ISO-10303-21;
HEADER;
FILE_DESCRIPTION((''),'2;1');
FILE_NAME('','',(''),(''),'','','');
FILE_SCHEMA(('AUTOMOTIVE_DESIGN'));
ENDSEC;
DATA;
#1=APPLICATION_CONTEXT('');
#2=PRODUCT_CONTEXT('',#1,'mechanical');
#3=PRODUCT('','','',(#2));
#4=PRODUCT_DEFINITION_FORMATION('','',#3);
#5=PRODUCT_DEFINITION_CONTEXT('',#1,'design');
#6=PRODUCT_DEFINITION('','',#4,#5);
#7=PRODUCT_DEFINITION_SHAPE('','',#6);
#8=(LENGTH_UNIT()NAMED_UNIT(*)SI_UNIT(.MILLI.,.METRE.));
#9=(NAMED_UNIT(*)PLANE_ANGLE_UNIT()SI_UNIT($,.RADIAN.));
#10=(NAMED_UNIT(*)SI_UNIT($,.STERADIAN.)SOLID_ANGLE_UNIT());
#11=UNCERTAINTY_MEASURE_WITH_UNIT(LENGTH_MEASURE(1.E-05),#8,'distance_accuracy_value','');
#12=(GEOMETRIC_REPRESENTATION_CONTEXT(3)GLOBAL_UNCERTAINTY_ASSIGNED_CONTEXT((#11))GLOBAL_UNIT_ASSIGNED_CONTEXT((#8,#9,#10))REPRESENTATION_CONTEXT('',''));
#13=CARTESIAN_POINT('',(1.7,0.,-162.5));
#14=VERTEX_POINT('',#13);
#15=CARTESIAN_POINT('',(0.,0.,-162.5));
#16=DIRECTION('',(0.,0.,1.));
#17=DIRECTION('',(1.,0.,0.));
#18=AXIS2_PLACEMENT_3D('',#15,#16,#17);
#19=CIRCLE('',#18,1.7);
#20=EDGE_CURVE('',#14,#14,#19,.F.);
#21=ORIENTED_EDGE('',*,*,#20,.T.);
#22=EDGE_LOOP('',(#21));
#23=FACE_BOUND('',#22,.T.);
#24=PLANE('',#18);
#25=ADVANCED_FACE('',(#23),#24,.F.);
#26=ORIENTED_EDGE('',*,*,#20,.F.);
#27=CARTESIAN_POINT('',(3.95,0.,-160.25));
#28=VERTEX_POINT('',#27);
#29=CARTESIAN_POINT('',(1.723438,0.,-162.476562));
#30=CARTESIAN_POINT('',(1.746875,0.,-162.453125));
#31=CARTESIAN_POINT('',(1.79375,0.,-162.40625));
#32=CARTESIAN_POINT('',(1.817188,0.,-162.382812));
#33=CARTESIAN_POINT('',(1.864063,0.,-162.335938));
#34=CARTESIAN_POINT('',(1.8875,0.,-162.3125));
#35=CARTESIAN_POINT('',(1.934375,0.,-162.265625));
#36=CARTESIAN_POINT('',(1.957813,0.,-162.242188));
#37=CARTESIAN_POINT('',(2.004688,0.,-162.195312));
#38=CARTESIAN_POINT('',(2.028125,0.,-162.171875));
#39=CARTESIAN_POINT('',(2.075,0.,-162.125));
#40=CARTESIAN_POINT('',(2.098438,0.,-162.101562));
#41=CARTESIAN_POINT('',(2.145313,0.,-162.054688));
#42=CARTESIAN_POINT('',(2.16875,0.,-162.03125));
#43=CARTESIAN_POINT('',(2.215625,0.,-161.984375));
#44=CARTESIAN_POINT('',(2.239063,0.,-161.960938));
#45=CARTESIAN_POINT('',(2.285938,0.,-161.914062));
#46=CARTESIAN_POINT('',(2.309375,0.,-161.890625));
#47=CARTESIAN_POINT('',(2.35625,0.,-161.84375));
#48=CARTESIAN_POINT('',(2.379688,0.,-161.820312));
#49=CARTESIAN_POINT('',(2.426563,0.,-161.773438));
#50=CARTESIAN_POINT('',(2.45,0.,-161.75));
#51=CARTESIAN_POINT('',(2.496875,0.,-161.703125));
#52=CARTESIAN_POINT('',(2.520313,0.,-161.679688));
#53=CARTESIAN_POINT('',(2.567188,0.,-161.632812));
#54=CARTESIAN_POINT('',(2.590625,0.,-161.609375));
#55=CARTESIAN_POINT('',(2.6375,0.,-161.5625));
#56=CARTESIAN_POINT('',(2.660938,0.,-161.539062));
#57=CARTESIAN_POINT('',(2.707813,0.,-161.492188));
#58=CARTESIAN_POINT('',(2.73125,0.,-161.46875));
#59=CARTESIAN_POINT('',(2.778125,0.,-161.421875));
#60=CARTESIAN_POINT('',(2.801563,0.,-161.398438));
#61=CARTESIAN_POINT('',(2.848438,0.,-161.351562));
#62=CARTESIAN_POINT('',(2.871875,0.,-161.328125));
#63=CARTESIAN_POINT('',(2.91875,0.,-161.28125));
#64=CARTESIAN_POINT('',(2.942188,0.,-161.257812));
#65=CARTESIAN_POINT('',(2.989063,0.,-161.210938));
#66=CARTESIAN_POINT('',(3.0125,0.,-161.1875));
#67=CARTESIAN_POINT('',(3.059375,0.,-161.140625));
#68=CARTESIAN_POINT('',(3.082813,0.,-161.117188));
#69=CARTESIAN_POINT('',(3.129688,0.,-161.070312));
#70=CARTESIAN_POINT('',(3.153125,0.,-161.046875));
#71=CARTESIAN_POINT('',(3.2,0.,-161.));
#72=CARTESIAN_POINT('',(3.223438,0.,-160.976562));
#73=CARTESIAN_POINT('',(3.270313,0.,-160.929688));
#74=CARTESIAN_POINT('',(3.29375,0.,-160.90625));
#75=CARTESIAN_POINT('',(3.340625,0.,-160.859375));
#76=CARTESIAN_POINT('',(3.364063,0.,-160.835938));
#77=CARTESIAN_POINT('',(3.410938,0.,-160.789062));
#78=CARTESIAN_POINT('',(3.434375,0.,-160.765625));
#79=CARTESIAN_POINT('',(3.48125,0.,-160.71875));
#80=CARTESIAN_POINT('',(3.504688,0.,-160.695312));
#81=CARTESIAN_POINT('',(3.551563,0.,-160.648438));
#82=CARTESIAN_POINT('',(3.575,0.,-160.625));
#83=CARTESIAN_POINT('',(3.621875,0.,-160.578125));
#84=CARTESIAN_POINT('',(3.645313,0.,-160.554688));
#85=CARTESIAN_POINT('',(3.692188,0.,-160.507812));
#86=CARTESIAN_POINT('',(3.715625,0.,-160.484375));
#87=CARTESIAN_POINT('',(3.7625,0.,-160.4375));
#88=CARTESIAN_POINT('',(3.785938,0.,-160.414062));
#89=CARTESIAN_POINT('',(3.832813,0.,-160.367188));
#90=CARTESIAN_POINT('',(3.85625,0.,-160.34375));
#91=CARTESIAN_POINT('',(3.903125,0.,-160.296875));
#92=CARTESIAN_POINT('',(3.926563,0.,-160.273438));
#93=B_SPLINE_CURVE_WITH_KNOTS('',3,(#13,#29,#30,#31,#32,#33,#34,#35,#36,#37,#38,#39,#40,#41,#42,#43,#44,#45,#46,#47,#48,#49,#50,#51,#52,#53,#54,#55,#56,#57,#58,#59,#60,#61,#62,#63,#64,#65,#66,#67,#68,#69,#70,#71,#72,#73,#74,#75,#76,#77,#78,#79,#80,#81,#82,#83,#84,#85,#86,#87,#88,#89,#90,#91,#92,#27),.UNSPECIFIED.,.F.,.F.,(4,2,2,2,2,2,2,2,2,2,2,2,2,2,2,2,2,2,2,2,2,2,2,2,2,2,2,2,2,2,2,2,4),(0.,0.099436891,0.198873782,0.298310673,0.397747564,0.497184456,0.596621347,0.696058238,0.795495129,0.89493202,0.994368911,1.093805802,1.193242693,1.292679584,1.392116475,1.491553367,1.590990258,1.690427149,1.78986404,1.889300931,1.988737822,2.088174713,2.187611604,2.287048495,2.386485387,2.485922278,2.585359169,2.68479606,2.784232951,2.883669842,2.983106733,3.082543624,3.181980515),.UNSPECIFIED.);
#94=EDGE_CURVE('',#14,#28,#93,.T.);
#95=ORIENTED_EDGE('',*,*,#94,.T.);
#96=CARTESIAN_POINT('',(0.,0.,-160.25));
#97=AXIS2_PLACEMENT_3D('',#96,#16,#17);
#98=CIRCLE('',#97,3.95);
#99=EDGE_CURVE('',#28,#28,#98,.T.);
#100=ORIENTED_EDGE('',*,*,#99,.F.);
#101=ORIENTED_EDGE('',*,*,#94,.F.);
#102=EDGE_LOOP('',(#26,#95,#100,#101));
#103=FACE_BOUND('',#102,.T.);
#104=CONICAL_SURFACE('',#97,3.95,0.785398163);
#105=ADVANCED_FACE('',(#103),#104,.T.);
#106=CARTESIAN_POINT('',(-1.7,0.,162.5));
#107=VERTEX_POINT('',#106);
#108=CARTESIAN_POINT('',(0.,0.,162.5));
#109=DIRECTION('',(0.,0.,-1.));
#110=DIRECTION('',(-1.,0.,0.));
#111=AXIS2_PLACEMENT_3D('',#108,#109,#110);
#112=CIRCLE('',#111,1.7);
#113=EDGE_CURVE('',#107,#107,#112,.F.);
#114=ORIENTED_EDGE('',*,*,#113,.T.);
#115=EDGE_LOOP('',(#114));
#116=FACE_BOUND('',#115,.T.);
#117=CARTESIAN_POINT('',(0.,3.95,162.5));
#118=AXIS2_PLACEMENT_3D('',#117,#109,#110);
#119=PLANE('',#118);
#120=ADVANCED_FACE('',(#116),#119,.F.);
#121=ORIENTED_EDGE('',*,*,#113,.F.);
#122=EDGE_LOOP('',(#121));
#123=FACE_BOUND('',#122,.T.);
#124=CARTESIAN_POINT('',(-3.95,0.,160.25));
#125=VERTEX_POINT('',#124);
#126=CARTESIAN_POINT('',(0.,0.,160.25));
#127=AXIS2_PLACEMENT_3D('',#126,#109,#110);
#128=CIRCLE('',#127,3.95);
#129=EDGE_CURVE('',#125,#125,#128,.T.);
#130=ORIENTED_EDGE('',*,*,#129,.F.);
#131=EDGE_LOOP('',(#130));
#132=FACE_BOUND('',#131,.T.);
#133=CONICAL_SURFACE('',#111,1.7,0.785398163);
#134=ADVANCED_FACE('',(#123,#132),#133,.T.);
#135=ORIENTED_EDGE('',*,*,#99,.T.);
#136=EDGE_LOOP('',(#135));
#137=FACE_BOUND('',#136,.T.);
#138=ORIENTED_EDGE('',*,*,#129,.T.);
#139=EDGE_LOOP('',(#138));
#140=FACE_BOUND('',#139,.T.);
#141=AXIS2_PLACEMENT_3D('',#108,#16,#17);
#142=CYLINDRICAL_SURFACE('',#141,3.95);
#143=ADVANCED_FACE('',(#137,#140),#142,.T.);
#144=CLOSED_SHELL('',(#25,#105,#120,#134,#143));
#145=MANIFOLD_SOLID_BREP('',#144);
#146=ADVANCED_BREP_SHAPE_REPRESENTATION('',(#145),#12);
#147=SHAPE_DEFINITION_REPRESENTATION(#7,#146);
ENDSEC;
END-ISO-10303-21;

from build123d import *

# Parameters (mm, degrees)
SKETCH2_W     = 325
SKETCH2_H     = 3.95
CHAMFER1_SIZE = 2.25


with BuildPart() as part:
    # Sketch2 → Revolve1 (revolve)
    with BuildSketch(Plane(origin=(0, 0, 0), x_dir=(0, 0, -1), z_dir=(1, 0, 0)), mode=Mode.PRIVATE) as revolve1_sk:
        with Locations((0, 1.975)):
            Rectangle(SKETCH2_W, SKETCH2_H)
    revolve(revolve1_sk.sketch.rotate(Axis((0, 0, 162.5), (0, 0, -1)), 90), axis=Axis((0, 0, 162.5), (0, 0, -1)))

    # Chamfer1
    chamfer1_edges = [part.edges().sort_by_distance(p)[0] for p in [
        (-3.95, 0, -162.5),
        (-3.95, 0, 162.5),
    ]]
    chamfer(chamfer1_edges, length=CHAMFER1_SIZE)


solid = part.part
